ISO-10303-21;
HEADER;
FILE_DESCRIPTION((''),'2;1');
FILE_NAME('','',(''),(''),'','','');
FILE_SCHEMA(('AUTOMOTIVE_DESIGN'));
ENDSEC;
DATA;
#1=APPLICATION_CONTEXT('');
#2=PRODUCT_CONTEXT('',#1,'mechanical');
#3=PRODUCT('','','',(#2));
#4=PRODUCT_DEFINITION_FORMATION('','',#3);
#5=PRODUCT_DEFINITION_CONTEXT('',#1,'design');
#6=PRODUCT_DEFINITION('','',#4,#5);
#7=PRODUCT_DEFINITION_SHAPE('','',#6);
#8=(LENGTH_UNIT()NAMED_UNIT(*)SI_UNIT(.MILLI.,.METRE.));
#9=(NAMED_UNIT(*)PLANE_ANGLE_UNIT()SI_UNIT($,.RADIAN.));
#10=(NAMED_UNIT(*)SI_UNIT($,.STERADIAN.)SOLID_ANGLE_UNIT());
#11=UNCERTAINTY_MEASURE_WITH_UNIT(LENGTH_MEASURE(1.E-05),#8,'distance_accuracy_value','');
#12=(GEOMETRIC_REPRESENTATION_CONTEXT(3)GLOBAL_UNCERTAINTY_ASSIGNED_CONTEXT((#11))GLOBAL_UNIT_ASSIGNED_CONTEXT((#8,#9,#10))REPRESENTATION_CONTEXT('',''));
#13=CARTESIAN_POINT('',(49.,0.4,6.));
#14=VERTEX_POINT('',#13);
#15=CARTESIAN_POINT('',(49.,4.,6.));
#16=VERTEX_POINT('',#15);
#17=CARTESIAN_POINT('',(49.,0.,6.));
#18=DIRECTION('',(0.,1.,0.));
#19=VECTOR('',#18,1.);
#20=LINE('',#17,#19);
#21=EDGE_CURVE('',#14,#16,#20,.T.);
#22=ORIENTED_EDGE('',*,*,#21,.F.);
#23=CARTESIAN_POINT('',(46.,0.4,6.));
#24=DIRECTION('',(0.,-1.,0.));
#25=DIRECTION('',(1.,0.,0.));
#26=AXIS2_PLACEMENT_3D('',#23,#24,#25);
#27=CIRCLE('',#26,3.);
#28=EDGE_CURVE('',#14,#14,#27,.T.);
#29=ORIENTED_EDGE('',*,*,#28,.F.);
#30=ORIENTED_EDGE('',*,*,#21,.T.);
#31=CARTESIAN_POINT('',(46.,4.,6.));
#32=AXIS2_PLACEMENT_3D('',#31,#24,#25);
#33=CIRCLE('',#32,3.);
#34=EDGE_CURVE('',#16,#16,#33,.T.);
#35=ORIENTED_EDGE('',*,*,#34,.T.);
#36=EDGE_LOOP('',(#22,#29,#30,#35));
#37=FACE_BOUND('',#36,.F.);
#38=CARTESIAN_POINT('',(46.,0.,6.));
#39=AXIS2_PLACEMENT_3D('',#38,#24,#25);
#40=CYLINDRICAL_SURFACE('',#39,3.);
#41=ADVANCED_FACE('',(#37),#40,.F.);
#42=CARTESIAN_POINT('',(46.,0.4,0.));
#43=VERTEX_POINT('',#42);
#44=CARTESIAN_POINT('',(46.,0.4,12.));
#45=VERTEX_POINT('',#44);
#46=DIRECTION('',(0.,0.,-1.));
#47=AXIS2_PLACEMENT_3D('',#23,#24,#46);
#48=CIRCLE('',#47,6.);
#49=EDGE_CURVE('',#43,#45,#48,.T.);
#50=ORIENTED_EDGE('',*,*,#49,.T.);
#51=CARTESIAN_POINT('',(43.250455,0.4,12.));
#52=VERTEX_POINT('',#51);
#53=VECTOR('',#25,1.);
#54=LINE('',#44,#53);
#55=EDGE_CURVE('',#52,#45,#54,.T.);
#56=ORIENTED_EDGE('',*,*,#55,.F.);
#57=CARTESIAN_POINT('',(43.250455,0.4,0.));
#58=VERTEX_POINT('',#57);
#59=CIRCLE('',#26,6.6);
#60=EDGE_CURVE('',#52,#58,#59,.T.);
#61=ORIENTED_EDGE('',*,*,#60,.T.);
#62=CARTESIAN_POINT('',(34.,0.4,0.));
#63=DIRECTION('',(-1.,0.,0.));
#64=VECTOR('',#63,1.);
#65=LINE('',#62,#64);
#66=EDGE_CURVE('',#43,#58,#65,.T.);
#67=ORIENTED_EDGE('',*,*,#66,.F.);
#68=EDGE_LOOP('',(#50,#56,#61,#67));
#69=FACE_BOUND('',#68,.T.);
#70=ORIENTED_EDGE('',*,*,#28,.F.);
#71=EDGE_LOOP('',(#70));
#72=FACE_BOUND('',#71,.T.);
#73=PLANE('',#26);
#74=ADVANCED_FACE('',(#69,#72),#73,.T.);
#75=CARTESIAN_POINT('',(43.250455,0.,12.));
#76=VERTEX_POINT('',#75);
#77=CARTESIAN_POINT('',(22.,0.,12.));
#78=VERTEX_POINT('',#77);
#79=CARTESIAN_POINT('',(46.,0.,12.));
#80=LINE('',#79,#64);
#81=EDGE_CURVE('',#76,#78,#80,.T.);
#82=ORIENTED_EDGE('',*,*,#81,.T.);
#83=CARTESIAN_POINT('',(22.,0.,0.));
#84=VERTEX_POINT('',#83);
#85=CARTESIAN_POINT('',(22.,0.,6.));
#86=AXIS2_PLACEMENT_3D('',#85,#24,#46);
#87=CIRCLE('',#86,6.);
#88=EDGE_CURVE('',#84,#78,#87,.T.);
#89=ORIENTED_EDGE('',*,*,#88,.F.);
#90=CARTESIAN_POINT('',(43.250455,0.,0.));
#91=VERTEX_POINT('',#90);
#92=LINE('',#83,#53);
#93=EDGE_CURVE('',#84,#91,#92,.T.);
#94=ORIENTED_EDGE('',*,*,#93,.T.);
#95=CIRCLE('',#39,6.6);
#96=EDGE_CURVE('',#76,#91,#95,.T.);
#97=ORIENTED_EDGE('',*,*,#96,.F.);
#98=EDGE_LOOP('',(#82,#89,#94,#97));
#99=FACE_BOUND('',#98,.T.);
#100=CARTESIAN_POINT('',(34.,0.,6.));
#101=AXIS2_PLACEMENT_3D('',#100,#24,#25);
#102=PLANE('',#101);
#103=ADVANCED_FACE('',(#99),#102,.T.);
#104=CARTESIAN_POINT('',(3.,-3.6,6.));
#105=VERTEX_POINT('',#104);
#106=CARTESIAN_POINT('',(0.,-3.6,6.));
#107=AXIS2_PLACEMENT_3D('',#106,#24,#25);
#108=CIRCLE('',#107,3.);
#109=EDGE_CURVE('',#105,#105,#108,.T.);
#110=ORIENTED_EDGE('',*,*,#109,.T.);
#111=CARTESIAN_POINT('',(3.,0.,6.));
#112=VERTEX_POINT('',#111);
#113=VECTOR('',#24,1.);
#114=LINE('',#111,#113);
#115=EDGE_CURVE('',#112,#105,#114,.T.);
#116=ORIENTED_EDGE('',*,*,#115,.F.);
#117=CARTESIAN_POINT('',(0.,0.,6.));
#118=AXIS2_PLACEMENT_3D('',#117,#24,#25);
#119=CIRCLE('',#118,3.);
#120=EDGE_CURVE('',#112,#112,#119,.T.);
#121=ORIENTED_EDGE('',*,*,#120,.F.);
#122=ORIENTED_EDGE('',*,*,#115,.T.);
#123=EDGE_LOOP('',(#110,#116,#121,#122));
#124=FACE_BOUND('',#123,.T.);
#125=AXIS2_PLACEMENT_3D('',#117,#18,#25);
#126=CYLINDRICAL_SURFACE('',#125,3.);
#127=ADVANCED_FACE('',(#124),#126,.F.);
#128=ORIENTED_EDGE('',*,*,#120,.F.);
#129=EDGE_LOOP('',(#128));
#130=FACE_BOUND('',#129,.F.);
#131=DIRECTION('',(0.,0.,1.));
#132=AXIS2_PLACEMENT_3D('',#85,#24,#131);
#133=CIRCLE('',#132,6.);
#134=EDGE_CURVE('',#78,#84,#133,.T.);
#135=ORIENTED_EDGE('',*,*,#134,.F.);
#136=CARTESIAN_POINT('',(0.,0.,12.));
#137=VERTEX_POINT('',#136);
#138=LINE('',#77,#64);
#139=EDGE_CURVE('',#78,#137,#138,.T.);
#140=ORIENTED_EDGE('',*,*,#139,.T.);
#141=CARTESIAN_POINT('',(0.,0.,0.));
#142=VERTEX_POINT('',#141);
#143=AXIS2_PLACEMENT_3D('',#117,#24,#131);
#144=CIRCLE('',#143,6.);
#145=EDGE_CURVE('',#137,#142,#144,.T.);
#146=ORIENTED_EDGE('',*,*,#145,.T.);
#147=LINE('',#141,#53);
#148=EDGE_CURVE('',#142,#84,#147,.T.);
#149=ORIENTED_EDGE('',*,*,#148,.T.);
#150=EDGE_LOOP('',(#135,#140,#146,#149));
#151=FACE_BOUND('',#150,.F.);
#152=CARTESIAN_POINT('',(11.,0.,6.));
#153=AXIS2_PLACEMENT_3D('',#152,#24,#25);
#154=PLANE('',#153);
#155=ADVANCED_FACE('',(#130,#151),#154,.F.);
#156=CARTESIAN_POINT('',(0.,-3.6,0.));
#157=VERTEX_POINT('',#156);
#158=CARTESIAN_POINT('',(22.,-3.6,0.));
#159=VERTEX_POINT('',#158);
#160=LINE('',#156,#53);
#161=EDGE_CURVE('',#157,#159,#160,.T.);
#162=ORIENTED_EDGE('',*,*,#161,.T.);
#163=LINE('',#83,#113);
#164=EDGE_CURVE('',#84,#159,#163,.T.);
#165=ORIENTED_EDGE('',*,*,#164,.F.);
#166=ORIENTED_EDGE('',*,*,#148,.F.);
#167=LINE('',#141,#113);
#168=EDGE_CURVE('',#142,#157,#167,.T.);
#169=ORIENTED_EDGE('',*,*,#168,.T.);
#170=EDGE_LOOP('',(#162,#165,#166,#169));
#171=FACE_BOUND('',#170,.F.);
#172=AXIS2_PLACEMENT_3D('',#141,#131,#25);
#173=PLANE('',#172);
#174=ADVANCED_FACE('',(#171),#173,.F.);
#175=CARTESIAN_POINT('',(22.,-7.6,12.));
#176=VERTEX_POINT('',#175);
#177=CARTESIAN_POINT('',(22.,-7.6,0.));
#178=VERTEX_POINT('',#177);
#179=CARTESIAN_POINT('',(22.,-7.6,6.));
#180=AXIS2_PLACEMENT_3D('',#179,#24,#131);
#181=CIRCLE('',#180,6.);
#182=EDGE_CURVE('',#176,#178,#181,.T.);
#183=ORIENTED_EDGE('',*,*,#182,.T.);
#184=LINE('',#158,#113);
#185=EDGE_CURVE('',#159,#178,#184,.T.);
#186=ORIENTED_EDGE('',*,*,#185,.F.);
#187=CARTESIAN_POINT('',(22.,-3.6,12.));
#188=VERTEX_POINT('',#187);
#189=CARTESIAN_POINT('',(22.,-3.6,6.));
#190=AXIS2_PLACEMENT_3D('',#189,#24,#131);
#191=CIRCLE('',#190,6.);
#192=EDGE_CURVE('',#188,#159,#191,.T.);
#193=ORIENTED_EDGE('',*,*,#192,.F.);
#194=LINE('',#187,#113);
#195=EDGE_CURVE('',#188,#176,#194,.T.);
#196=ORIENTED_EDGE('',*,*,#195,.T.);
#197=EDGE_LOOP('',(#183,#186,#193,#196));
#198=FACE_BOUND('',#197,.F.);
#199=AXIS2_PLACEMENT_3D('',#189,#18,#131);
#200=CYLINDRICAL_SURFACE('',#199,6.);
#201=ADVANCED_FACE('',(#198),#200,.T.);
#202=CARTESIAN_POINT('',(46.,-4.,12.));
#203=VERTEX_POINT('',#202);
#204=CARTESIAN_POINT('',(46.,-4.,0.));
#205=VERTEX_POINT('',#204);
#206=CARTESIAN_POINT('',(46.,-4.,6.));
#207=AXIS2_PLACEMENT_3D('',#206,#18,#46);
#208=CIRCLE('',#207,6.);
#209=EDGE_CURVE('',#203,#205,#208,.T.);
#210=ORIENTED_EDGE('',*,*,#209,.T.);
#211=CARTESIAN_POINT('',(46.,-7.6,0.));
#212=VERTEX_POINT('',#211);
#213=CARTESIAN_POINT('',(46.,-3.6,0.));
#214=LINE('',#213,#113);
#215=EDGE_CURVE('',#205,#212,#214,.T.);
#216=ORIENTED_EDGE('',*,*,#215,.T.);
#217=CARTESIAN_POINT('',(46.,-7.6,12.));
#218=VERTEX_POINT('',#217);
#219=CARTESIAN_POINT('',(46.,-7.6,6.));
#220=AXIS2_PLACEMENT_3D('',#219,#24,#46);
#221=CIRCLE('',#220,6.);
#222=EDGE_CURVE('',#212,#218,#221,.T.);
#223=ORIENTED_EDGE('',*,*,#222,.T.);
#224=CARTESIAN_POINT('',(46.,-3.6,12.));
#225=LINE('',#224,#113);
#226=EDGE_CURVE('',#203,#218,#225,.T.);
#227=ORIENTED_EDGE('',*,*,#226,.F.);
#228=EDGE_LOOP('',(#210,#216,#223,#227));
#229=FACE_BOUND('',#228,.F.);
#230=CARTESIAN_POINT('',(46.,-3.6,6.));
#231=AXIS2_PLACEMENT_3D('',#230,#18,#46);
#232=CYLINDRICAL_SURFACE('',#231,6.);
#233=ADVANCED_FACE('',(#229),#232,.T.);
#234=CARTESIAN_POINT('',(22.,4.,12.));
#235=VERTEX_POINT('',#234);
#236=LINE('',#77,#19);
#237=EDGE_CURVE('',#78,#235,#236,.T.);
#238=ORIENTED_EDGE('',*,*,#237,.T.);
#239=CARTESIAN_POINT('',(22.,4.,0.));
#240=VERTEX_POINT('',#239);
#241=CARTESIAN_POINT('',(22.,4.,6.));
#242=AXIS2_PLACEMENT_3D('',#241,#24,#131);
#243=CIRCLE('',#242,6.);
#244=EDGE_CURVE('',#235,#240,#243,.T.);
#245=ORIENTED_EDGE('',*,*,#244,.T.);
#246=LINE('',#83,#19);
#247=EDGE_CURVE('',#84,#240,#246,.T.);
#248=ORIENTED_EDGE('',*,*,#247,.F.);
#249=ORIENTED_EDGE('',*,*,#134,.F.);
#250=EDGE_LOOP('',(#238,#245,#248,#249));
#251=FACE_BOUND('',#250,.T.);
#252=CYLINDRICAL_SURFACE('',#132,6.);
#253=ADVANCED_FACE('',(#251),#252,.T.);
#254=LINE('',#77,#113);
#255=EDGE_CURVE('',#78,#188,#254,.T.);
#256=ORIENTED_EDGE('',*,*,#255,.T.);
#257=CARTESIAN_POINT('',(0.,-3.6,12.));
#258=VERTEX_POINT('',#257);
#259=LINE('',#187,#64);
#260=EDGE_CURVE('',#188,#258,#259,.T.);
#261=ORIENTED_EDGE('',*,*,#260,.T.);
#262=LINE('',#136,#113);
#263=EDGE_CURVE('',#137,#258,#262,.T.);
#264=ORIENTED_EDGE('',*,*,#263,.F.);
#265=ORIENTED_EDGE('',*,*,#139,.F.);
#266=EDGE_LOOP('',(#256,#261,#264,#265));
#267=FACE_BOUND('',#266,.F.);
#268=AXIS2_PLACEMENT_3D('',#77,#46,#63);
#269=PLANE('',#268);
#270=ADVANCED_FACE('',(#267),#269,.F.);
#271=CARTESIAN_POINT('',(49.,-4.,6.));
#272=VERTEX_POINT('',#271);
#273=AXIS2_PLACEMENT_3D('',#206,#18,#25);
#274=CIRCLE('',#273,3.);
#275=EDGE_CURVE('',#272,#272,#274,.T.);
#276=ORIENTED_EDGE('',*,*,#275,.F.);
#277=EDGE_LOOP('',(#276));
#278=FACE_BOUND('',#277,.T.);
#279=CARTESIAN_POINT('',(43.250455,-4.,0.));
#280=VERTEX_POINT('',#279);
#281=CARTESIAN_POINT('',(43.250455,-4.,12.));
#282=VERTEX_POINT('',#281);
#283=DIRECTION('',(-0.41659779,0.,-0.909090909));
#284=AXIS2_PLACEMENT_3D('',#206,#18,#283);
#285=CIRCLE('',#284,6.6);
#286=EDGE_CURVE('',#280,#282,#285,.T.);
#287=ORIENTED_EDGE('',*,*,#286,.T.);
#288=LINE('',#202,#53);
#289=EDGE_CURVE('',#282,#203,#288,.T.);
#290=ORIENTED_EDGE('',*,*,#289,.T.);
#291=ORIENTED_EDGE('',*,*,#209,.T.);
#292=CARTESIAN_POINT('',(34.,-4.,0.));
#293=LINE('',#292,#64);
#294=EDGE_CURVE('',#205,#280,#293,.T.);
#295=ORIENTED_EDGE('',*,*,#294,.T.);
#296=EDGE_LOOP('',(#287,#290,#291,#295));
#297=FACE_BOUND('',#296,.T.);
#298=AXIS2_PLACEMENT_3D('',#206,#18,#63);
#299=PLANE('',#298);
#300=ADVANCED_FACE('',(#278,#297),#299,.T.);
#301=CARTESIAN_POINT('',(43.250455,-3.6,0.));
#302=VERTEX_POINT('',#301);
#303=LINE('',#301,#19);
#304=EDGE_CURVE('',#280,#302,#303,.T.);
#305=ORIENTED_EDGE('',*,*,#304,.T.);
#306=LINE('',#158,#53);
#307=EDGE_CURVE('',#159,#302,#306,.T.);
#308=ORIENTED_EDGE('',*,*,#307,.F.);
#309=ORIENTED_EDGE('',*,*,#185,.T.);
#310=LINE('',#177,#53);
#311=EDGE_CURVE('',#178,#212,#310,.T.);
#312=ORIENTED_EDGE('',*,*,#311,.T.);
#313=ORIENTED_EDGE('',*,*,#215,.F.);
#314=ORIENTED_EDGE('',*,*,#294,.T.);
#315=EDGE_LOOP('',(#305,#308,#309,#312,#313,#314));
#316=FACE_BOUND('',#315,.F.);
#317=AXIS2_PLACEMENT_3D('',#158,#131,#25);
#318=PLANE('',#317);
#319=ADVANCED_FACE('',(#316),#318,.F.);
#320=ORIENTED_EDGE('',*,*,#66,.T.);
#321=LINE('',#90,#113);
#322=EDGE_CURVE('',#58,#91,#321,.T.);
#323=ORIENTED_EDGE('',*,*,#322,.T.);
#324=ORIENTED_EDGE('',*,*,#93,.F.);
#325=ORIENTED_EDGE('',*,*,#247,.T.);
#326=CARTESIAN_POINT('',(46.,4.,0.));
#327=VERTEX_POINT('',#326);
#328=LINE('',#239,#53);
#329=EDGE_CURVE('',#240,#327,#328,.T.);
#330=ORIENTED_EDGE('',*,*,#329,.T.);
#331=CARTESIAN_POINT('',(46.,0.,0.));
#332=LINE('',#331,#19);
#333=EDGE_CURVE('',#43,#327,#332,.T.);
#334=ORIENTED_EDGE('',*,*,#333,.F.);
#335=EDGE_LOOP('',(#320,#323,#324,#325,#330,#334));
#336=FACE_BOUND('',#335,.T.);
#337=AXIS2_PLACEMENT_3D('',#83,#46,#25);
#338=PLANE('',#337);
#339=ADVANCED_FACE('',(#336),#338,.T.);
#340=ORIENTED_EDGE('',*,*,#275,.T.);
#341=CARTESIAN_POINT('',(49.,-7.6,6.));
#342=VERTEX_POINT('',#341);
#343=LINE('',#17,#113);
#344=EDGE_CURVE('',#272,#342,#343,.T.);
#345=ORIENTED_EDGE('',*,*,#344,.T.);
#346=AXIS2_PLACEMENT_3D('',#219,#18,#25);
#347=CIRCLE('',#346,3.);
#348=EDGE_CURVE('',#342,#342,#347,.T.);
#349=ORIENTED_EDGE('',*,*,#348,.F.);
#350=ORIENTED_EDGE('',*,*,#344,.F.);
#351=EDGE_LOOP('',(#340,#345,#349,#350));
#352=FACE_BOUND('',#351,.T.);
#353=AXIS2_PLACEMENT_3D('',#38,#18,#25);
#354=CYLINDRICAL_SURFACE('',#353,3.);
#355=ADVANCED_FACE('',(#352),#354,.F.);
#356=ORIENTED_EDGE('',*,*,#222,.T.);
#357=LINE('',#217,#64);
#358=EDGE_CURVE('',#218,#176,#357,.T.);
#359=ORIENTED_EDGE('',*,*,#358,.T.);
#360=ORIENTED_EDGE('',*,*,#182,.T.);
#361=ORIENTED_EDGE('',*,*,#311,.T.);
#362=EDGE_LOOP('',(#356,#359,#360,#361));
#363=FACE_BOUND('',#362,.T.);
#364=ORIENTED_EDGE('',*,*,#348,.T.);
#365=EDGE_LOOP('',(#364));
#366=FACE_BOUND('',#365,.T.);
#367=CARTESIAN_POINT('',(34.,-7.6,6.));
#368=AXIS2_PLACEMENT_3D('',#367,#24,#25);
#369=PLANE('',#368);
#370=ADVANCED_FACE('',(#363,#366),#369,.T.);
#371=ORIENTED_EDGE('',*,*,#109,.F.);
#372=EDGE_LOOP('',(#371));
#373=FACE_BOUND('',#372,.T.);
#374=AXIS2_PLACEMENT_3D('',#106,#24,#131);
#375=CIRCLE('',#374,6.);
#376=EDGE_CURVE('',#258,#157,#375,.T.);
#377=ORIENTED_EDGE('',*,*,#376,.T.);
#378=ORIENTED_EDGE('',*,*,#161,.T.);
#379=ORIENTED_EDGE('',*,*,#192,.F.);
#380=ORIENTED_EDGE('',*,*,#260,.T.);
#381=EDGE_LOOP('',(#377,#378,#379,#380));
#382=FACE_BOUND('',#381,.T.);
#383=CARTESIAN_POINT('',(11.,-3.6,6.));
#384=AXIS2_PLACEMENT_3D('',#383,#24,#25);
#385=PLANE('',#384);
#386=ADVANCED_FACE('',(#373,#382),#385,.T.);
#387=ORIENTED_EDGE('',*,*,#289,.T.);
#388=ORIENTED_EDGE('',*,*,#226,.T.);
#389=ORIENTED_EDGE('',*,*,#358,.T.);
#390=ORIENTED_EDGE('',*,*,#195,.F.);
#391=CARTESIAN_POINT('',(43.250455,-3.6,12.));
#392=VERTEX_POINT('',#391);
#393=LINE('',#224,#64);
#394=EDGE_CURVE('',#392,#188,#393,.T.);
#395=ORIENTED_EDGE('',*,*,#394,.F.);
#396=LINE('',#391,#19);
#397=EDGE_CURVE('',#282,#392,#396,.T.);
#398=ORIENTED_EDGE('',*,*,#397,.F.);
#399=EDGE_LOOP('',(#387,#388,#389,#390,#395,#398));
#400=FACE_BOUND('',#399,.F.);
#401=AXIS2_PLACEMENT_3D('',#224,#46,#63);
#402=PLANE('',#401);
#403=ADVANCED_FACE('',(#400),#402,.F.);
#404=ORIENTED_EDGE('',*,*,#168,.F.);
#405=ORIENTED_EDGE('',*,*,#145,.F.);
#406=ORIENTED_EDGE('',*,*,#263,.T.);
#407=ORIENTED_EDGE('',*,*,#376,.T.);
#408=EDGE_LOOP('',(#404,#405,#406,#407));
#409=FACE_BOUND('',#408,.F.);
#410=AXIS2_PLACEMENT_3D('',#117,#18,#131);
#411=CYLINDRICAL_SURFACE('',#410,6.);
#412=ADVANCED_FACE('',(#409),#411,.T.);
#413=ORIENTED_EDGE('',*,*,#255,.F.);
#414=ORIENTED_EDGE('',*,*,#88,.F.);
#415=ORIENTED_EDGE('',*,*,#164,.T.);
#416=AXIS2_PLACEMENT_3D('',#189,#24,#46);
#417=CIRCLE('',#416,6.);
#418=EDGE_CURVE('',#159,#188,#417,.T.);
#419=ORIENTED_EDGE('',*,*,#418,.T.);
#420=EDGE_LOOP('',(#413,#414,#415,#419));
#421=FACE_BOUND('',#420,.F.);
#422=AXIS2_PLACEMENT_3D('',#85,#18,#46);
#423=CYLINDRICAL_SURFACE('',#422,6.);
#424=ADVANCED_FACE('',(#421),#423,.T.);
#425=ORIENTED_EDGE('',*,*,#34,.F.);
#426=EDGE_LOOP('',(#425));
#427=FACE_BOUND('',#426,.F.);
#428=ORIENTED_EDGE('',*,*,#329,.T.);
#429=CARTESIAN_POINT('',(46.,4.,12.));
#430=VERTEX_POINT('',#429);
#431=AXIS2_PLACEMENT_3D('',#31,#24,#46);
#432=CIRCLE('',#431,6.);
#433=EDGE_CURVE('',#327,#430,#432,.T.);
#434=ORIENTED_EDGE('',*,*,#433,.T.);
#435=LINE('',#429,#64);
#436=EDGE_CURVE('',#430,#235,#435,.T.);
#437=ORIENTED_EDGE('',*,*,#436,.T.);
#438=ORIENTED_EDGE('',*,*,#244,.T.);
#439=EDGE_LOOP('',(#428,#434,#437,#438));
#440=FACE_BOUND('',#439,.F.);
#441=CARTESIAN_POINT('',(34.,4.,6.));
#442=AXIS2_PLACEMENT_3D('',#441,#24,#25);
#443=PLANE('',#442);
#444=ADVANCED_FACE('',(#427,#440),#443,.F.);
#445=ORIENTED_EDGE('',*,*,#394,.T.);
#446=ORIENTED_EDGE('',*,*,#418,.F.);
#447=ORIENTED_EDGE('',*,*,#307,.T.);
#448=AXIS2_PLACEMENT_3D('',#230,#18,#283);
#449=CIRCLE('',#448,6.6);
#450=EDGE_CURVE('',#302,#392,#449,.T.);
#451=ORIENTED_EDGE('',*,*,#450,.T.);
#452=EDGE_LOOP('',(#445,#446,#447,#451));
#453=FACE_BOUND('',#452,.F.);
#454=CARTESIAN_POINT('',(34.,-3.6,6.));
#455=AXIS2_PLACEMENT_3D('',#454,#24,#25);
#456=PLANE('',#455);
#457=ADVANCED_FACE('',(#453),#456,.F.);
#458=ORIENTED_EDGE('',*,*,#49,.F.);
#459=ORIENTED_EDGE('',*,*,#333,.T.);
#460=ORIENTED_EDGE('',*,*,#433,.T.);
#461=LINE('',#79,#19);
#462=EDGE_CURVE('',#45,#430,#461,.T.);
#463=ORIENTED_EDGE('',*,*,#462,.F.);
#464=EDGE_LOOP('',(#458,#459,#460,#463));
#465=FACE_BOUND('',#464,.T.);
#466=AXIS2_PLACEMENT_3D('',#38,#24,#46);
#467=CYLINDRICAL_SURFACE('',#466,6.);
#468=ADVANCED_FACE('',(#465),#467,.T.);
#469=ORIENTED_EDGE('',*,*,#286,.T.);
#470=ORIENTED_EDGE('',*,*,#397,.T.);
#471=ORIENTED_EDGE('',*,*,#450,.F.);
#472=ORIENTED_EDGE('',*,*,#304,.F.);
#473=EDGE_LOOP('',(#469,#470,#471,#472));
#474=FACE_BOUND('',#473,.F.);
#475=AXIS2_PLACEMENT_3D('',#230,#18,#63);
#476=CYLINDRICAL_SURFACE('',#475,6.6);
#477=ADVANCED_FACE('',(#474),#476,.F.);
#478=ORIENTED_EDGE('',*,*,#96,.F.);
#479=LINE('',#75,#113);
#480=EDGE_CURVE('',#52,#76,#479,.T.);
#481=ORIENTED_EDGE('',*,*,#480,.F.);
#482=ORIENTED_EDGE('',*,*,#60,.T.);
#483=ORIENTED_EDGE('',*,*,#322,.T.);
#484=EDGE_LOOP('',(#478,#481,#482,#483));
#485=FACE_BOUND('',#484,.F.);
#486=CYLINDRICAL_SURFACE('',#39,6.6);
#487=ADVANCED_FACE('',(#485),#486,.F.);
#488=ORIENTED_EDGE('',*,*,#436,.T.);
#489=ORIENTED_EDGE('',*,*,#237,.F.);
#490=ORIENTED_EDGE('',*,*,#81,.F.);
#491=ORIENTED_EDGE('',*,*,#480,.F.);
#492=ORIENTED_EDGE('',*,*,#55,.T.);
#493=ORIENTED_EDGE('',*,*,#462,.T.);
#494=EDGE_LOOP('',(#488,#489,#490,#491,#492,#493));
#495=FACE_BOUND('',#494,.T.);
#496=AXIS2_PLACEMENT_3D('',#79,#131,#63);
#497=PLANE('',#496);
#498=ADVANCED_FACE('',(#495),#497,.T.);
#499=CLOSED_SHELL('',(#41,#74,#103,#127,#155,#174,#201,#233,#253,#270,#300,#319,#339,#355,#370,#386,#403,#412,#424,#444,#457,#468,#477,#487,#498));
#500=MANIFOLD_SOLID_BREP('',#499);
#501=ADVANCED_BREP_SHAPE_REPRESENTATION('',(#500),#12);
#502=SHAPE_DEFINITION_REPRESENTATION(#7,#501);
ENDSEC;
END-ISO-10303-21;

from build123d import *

# Parameters (mm, degrees)
F0_R           = 3
F1_DEPTH       = 3.6
F3_DEPTH       = 4
F5_DEPTH       = 4
F7_R           = 6.6
F9_DEPTH       = 0.4
F8_R           = 6.6
F10_DEPTH      = 0.4
F6_R           = 3
F11_DEPTH      = 7.601
F11_DEPTH_BACK = 4.001


with BuildPart() as f1:
    # F0 (on Front) → F1 (new body)
    with BuildSketch(Plane.XZ):
        with BuildLine():
            Line((22, 12), (0, 12))
            ThreePointArc((0, 12), (-6, 6), (0, 0))
            Line((0, 0), (22, 0))
            ThreePointArc((22, 0), (28, 6), (22, 12))
        make_face()
        with Locations((0, 6)):
            Circle(F0_R, mode=Mode.SUBTRACT)
    extrude(amount=F1_DEPTH)

    # F2 (on Front) → F3 (join)
    with BuildSketch(Plane.XZ):
        with BuildLine():
            Line((46, 12), (22, 12))
            ThreePointArc((22, 12), (16, 6), (22, 0))
            Line((22, 0), (46, 0))
            ThreePointArc((46, 0), (52, 6), (46, 12))
        make_face()
    extrude(amount=-F3_DEPTH)

    # F4 (on face) → F5 (join)
    with BuildSketch(Plane.XZ.offset(3.6)):
        with BuildLine():
            Line((46, 12), (22, 12))
            ThreePointArc((22, 12), (16, 6), (22, 0))
            Line((22, 0), (46, 0))
            ThreePointArc((46, 0), (52, 6), (46, 12))
        make_face()
    extrude(amount=F5_DEPTH)

    # F7 (on face) → F9 (cut)
    with BuildSketch(Plane(origin=(0, -3.6, 0), x_dir=(-1, 0, 0), z_dir=(0, 1, 0))):
        with Locations((-46, 6)):
            Circle(F7_R)
    extrude(amount=-F9_DEPTH, mode=Mode.SUBTRACT)

    # F8 (on face) → F10 (cut)
    with BuildSketch(Plane.XZ):
        with Locations((46, 6)):
            Circle(F8_R)
    extrude(amount=-F10_DEPTH, mode=Mode.SUBTRACT)

    # F6 (on face) → F11 (cut, two sides)
    with BuildSketch(Plane.XZ) as f11_sk:
        with Locations((46, 6)):
            Circle(F6_R)
    extrude(amount=F11_DEPTH, mode=Mode.SUBTRACT)
    extrude(f11_sk.sketch, amount=-F11_DEPTH_BACK, mode=Mode.SUBTRACT)


solid = f1.part
